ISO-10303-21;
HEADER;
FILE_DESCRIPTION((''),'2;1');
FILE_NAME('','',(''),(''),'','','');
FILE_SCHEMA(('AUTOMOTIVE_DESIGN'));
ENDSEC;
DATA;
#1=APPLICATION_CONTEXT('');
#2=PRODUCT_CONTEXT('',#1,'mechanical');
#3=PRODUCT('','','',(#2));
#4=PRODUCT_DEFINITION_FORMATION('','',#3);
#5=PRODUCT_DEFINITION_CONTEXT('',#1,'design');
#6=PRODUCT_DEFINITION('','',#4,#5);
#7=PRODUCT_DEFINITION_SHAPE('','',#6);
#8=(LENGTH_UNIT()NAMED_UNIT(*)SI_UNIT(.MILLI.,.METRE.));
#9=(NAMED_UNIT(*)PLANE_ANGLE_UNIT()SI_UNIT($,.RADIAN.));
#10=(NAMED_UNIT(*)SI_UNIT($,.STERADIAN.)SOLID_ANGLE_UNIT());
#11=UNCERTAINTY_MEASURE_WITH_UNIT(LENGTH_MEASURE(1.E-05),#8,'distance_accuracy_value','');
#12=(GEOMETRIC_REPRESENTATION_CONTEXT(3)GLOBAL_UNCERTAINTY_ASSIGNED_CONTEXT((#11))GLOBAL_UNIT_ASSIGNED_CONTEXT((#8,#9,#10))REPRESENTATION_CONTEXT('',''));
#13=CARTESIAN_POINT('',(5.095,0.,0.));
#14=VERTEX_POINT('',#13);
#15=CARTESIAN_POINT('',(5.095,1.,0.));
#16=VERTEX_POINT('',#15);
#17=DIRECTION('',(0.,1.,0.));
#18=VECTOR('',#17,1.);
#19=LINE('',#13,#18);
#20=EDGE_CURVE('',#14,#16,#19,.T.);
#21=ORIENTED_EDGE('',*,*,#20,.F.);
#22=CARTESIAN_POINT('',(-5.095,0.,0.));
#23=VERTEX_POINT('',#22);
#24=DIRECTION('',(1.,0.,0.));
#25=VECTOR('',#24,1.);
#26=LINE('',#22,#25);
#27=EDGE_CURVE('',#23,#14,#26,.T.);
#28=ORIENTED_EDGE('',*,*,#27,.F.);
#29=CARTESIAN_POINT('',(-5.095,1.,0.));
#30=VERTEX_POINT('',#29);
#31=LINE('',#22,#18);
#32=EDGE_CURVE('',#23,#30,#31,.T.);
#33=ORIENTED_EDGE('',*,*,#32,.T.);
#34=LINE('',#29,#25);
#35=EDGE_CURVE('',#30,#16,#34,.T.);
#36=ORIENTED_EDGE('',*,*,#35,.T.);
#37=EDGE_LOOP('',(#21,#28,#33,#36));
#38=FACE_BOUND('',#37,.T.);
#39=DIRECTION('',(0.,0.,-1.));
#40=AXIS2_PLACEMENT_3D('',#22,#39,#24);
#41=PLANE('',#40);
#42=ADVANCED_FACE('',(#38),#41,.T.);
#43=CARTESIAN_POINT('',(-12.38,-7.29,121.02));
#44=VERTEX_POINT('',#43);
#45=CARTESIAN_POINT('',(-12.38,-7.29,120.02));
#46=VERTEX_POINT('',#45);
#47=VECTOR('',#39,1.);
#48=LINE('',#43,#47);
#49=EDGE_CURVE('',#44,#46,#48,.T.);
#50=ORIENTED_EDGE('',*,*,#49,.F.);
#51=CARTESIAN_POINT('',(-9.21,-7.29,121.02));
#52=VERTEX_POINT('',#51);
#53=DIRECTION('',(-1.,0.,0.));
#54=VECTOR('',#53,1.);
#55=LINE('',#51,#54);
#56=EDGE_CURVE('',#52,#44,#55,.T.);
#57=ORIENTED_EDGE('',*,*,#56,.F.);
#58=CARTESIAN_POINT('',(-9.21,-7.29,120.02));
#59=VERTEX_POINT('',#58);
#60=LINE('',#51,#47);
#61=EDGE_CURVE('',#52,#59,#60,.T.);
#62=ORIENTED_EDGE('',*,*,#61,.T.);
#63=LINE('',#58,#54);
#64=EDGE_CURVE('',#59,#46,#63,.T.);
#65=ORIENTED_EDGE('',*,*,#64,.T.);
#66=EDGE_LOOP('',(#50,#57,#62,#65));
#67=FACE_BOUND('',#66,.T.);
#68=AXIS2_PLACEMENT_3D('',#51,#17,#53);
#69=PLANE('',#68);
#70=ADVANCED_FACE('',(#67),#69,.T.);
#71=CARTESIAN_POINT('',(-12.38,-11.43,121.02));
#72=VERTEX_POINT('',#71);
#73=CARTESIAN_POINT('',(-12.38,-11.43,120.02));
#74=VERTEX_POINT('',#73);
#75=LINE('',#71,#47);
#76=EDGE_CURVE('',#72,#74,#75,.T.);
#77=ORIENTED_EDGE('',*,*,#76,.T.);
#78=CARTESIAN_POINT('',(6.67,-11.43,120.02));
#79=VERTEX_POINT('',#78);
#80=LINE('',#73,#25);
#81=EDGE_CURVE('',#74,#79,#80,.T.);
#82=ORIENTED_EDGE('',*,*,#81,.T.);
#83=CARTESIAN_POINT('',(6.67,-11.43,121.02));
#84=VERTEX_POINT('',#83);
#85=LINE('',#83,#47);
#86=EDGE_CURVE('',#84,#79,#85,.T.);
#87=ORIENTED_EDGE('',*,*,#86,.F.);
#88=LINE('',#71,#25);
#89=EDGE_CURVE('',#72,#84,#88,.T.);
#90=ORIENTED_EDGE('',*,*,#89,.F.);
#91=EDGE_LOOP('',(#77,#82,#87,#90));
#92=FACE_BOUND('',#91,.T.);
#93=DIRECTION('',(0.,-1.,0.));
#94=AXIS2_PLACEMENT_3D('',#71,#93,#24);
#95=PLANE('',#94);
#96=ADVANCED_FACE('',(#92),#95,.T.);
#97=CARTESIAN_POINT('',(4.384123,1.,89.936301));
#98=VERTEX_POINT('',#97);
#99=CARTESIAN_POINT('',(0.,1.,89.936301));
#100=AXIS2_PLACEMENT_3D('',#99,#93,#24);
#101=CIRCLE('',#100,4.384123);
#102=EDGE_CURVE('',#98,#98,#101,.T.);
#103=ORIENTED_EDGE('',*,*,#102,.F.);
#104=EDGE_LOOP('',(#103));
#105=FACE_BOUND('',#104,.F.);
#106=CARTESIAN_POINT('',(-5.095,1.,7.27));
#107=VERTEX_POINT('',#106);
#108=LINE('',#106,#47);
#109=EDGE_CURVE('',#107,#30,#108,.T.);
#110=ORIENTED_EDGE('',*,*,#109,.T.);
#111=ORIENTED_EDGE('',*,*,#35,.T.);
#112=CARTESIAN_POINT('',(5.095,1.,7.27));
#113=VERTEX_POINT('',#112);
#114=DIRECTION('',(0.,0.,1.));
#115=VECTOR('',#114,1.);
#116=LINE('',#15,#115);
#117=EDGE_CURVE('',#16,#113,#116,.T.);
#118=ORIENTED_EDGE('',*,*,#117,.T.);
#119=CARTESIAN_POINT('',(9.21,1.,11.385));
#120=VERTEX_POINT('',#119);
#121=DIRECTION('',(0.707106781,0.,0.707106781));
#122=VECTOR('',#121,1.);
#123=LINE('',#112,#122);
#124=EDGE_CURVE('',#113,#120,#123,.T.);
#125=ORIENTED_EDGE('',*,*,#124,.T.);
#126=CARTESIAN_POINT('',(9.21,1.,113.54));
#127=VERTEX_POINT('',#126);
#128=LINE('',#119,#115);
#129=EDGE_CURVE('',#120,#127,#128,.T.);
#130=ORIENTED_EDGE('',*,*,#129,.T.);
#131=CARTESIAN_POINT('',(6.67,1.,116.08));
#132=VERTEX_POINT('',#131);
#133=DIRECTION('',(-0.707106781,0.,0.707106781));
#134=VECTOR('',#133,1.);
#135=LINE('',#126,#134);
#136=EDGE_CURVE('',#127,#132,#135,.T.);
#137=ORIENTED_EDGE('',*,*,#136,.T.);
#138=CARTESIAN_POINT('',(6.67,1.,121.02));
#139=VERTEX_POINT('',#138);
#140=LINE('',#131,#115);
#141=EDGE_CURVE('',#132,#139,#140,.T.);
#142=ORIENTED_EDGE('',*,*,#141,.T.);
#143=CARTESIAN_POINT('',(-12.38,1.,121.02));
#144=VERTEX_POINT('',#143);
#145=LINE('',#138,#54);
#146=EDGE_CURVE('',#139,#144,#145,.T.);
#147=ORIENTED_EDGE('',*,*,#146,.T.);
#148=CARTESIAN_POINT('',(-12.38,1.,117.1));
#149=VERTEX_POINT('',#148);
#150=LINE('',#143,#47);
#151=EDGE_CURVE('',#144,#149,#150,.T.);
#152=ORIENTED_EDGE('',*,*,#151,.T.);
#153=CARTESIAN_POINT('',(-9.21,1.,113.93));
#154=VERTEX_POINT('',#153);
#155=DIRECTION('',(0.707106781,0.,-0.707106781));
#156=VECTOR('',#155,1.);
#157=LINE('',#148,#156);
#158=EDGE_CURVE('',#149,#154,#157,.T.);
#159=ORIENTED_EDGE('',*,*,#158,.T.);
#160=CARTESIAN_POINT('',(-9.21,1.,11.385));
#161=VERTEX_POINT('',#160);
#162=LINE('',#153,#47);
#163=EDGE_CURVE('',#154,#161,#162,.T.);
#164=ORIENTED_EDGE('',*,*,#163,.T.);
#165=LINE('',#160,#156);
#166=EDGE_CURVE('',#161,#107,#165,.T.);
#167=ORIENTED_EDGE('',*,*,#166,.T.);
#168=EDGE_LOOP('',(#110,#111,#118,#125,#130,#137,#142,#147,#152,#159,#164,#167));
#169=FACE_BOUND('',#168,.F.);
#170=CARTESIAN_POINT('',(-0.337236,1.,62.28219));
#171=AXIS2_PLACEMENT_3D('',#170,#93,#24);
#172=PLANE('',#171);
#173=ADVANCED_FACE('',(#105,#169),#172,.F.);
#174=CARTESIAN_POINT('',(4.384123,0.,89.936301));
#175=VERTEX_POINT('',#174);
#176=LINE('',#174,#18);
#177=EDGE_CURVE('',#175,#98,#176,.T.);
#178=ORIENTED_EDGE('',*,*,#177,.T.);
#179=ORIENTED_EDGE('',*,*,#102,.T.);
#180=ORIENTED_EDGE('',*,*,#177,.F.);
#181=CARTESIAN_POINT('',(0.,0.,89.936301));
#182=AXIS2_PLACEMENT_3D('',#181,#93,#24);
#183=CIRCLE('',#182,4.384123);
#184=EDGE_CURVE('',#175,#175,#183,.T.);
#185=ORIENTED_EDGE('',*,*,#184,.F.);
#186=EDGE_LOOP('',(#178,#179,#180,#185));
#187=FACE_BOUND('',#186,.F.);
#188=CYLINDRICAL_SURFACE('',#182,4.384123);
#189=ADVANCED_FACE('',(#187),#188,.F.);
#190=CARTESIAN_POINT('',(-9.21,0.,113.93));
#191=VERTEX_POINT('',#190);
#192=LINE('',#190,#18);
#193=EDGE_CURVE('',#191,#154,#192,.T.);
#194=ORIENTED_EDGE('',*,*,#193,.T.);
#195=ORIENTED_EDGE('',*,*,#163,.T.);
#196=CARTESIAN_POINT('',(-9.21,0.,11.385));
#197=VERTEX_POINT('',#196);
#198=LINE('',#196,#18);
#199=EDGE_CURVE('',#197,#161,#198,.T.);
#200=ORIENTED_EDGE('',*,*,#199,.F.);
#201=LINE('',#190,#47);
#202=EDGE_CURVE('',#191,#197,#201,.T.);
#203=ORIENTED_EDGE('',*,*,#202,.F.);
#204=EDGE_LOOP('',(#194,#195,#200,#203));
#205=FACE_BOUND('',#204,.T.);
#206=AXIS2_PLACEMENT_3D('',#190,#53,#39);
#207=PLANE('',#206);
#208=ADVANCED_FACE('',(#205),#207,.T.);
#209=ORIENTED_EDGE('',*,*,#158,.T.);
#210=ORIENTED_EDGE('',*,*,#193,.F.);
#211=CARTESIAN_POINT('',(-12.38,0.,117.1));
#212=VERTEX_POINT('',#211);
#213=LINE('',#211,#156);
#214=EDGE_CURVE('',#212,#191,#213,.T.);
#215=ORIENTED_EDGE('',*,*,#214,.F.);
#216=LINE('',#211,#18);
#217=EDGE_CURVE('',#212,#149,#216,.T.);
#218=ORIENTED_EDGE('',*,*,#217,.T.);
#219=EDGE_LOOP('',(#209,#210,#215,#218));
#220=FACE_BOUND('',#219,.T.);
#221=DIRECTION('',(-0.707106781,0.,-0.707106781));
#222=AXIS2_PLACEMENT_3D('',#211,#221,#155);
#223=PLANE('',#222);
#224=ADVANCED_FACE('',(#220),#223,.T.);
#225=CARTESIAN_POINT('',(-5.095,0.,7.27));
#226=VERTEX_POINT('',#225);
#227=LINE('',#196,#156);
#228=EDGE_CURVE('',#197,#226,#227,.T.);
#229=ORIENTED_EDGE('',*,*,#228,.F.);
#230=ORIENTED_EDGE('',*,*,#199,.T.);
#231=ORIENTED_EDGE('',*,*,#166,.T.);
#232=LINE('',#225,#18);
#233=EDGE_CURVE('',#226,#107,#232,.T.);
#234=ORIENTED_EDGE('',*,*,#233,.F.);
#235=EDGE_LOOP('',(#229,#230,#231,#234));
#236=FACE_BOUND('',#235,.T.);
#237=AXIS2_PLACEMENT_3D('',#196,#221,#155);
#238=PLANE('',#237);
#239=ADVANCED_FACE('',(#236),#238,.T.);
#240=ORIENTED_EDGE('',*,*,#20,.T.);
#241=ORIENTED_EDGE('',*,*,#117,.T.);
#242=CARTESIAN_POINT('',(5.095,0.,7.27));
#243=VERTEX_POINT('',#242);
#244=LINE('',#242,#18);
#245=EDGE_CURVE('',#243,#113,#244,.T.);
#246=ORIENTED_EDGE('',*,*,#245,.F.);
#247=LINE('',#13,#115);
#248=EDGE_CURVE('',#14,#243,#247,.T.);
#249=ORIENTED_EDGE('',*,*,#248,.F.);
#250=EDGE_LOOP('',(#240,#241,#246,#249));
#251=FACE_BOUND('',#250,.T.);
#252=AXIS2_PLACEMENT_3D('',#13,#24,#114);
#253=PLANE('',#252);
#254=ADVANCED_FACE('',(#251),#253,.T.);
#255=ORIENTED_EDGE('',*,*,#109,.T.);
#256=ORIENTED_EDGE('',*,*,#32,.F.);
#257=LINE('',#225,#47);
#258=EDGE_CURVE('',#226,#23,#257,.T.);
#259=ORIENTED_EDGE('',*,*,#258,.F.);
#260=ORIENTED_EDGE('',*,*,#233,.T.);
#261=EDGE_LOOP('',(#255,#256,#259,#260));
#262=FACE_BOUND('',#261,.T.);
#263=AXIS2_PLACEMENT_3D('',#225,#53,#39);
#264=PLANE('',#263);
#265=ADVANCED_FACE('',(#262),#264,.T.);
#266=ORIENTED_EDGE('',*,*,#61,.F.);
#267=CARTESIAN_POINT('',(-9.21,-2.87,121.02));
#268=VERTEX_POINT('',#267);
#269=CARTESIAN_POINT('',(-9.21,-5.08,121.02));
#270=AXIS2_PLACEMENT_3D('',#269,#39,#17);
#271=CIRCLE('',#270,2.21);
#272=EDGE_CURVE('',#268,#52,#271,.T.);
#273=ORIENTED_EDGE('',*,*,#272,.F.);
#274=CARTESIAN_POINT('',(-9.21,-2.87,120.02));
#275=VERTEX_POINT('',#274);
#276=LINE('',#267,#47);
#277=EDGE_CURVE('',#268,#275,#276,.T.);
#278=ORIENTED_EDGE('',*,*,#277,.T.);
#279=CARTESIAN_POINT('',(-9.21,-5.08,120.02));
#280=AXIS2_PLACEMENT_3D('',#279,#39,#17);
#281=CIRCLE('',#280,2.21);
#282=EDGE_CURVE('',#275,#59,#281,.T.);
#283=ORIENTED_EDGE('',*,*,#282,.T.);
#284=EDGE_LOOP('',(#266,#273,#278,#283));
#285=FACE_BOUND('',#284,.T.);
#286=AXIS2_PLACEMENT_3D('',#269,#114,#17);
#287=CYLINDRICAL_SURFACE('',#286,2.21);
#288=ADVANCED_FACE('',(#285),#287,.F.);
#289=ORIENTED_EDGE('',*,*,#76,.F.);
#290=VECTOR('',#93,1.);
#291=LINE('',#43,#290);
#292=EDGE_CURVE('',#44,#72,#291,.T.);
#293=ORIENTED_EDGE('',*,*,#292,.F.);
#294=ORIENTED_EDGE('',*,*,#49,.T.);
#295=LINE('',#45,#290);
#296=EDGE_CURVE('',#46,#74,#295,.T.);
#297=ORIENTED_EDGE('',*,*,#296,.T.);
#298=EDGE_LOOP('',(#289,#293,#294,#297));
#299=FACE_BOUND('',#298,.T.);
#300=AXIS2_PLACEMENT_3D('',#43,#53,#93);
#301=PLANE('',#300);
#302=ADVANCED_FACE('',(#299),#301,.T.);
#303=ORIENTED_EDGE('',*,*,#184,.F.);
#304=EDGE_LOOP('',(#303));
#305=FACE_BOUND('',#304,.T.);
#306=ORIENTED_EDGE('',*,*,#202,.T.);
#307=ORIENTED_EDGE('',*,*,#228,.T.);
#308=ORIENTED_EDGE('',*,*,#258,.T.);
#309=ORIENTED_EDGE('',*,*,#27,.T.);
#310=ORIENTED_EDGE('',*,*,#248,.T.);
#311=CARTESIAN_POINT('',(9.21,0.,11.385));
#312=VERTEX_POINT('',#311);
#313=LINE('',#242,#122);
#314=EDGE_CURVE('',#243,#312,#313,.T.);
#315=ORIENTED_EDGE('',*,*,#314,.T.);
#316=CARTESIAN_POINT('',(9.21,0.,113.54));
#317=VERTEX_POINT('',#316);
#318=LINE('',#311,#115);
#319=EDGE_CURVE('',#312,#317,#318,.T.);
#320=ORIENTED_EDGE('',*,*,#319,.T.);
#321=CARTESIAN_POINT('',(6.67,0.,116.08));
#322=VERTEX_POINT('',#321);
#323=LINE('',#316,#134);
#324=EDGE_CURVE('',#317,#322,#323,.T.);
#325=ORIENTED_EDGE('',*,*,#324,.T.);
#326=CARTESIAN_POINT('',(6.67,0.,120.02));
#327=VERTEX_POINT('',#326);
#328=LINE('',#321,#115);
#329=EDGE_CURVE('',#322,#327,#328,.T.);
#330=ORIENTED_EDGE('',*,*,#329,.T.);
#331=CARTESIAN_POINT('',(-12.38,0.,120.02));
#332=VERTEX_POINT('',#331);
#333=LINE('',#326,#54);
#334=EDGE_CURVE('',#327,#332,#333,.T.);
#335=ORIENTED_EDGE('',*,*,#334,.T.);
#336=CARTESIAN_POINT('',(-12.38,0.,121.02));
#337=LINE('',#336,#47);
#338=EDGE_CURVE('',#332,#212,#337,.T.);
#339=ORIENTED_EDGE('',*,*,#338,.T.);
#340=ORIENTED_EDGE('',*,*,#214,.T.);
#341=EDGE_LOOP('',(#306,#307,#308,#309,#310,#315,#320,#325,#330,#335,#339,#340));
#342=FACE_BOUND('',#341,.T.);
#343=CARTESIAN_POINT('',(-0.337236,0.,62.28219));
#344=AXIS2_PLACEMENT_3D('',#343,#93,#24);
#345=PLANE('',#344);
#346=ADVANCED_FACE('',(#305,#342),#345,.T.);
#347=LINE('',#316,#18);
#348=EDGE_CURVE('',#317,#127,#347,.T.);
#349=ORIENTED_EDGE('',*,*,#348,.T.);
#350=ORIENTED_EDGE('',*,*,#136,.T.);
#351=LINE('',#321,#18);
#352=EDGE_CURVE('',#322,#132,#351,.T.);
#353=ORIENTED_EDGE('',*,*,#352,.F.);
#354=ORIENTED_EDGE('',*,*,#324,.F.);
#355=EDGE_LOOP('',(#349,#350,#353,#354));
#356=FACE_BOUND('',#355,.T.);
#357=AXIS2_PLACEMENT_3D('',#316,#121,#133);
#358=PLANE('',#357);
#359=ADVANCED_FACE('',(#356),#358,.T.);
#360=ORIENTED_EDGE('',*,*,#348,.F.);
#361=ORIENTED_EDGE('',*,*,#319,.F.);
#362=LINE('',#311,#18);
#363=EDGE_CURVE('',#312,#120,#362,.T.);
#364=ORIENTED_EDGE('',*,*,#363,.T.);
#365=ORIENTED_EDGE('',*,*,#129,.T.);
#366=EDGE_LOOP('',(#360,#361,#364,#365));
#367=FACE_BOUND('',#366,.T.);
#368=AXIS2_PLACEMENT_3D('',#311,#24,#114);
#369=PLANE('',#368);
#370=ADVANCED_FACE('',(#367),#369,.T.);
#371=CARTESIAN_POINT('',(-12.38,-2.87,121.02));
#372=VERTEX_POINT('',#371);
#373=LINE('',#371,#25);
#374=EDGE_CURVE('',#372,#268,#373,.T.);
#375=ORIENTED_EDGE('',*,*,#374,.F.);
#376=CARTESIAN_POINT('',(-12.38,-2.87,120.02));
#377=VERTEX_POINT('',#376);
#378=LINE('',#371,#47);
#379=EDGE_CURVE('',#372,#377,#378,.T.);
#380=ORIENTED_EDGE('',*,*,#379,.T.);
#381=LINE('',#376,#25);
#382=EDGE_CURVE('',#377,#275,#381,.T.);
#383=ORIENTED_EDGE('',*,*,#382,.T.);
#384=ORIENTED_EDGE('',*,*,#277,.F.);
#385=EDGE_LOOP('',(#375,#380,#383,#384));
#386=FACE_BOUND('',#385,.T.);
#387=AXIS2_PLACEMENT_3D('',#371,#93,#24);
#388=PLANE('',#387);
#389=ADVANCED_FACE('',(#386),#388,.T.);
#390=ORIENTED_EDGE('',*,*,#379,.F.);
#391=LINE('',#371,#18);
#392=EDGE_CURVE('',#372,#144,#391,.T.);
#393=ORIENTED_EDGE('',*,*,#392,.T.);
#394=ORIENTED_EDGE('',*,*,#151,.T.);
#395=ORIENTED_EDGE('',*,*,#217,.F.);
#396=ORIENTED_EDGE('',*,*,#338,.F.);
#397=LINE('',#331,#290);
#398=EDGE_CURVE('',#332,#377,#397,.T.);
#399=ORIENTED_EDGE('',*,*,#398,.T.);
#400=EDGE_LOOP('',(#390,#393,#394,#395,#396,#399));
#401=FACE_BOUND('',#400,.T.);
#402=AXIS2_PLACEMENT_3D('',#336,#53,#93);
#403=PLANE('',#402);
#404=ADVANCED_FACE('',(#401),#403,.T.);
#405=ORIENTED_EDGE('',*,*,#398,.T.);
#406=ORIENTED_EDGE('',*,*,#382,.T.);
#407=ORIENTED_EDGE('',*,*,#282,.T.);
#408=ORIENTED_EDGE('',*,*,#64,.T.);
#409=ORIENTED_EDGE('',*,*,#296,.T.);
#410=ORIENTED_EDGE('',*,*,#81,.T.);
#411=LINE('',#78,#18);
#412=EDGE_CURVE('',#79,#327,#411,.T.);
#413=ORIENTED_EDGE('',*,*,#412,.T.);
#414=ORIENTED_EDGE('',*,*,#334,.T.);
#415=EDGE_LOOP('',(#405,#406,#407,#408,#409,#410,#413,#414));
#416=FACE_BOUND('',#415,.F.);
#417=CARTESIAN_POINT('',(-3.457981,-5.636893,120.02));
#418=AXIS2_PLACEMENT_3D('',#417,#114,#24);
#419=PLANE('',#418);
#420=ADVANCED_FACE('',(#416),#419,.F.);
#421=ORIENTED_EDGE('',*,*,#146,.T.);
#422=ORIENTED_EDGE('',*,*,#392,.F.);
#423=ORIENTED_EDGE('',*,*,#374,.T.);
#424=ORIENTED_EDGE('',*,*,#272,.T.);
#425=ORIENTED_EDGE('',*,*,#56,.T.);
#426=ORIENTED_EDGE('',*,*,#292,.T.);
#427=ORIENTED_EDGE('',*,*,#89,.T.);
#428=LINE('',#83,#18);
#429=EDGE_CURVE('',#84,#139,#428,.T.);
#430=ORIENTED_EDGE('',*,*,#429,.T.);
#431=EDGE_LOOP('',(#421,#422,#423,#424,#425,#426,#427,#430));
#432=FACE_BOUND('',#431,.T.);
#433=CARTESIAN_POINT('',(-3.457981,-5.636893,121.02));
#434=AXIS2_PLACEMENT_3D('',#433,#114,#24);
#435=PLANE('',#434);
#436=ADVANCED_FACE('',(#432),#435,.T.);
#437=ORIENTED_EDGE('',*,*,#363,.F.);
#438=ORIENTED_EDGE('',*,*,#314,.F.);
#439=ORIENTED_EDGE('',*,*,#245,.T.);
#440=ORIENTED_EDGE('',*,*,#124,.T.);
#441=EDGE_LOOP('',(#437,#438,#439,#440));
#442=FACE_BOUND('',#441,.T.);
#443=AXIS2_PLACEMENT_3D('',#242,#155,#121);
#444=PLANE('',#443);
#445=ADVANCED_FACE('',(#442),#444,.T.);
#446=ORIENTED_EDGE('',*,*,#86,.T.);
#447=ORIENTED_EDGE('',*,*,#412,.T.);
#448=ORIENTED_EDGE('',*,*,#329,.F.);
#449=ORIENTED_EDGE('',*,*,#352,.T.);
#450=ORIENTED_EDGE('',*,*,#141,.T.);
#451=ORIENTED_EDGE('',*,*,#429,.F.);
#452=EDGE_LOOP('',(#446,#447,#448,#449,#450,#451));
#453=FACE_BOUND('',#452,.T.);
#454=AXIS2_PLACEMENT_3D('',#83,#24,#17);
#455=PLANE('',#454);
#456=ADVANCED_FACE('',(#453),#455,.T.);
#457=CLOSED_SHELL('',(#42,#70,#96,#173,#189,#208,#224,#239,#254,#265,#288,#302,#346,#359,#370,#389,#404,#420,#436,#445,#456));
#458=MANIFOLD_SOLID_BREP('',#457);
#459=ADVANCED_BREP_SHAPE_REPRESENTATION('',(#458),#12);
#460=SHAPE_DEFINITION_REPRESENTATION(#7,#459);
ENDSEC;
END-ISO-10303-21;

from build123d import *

# Parameters (mm, degrees)
F1_R     = 4.3841232155
F2_DEPTH = 1
F4_DEPTH = 1


with BuildPart() as f2:
    # F1 (on Front) → F2 (new body)
    with BuildSketch(Plane.XZ):
        Polygon((-5.095, 7.27), (-5.095, 0), (5.095, 0), (5.095, 7.27), (9.21, 11.385), (9.21, 113.54), (6.67, 116.08), (6.67, 120.02), (6.67, 121.02), (-12.38, 121.02), (-12.38, 120.02), (-12.38, 117.1), (-9.21, 113.93), (-9.21, 11.385), align=None)
        with Locations((0, 89.9363011122)):
            Circle(F1_R, mode=Mode.SUBTRACT)
    extrude(amount=-F2_DEPTH)

    # F3 (on face) → F4 (join)
    with BuildSketch(Plane.XY.offset(121.02)):
        with BuildLine():
            Line((6.67, 0), (-12.38, 0))
            Line((-12.38, 0), (-12.38, -2.87))
            Line((-12.38, -2.87), (-9.21, -2.87))
            ThreePointArc((-9.21, -2.87), (-7, -5.08), (-9.21, -7.29))
            Line((-9.21, -7.29), (-12.38, -7.29))
            Line((-12.38, -7.29), (-12.38, -11.43))
            Line((-12.38, -11.43), (6.67, -11.43))
            Line((6.67, -11.43), (6.67, 0))
        make_face()
    extrude(amount=-F4_DEPTH)


solid = f2.part
